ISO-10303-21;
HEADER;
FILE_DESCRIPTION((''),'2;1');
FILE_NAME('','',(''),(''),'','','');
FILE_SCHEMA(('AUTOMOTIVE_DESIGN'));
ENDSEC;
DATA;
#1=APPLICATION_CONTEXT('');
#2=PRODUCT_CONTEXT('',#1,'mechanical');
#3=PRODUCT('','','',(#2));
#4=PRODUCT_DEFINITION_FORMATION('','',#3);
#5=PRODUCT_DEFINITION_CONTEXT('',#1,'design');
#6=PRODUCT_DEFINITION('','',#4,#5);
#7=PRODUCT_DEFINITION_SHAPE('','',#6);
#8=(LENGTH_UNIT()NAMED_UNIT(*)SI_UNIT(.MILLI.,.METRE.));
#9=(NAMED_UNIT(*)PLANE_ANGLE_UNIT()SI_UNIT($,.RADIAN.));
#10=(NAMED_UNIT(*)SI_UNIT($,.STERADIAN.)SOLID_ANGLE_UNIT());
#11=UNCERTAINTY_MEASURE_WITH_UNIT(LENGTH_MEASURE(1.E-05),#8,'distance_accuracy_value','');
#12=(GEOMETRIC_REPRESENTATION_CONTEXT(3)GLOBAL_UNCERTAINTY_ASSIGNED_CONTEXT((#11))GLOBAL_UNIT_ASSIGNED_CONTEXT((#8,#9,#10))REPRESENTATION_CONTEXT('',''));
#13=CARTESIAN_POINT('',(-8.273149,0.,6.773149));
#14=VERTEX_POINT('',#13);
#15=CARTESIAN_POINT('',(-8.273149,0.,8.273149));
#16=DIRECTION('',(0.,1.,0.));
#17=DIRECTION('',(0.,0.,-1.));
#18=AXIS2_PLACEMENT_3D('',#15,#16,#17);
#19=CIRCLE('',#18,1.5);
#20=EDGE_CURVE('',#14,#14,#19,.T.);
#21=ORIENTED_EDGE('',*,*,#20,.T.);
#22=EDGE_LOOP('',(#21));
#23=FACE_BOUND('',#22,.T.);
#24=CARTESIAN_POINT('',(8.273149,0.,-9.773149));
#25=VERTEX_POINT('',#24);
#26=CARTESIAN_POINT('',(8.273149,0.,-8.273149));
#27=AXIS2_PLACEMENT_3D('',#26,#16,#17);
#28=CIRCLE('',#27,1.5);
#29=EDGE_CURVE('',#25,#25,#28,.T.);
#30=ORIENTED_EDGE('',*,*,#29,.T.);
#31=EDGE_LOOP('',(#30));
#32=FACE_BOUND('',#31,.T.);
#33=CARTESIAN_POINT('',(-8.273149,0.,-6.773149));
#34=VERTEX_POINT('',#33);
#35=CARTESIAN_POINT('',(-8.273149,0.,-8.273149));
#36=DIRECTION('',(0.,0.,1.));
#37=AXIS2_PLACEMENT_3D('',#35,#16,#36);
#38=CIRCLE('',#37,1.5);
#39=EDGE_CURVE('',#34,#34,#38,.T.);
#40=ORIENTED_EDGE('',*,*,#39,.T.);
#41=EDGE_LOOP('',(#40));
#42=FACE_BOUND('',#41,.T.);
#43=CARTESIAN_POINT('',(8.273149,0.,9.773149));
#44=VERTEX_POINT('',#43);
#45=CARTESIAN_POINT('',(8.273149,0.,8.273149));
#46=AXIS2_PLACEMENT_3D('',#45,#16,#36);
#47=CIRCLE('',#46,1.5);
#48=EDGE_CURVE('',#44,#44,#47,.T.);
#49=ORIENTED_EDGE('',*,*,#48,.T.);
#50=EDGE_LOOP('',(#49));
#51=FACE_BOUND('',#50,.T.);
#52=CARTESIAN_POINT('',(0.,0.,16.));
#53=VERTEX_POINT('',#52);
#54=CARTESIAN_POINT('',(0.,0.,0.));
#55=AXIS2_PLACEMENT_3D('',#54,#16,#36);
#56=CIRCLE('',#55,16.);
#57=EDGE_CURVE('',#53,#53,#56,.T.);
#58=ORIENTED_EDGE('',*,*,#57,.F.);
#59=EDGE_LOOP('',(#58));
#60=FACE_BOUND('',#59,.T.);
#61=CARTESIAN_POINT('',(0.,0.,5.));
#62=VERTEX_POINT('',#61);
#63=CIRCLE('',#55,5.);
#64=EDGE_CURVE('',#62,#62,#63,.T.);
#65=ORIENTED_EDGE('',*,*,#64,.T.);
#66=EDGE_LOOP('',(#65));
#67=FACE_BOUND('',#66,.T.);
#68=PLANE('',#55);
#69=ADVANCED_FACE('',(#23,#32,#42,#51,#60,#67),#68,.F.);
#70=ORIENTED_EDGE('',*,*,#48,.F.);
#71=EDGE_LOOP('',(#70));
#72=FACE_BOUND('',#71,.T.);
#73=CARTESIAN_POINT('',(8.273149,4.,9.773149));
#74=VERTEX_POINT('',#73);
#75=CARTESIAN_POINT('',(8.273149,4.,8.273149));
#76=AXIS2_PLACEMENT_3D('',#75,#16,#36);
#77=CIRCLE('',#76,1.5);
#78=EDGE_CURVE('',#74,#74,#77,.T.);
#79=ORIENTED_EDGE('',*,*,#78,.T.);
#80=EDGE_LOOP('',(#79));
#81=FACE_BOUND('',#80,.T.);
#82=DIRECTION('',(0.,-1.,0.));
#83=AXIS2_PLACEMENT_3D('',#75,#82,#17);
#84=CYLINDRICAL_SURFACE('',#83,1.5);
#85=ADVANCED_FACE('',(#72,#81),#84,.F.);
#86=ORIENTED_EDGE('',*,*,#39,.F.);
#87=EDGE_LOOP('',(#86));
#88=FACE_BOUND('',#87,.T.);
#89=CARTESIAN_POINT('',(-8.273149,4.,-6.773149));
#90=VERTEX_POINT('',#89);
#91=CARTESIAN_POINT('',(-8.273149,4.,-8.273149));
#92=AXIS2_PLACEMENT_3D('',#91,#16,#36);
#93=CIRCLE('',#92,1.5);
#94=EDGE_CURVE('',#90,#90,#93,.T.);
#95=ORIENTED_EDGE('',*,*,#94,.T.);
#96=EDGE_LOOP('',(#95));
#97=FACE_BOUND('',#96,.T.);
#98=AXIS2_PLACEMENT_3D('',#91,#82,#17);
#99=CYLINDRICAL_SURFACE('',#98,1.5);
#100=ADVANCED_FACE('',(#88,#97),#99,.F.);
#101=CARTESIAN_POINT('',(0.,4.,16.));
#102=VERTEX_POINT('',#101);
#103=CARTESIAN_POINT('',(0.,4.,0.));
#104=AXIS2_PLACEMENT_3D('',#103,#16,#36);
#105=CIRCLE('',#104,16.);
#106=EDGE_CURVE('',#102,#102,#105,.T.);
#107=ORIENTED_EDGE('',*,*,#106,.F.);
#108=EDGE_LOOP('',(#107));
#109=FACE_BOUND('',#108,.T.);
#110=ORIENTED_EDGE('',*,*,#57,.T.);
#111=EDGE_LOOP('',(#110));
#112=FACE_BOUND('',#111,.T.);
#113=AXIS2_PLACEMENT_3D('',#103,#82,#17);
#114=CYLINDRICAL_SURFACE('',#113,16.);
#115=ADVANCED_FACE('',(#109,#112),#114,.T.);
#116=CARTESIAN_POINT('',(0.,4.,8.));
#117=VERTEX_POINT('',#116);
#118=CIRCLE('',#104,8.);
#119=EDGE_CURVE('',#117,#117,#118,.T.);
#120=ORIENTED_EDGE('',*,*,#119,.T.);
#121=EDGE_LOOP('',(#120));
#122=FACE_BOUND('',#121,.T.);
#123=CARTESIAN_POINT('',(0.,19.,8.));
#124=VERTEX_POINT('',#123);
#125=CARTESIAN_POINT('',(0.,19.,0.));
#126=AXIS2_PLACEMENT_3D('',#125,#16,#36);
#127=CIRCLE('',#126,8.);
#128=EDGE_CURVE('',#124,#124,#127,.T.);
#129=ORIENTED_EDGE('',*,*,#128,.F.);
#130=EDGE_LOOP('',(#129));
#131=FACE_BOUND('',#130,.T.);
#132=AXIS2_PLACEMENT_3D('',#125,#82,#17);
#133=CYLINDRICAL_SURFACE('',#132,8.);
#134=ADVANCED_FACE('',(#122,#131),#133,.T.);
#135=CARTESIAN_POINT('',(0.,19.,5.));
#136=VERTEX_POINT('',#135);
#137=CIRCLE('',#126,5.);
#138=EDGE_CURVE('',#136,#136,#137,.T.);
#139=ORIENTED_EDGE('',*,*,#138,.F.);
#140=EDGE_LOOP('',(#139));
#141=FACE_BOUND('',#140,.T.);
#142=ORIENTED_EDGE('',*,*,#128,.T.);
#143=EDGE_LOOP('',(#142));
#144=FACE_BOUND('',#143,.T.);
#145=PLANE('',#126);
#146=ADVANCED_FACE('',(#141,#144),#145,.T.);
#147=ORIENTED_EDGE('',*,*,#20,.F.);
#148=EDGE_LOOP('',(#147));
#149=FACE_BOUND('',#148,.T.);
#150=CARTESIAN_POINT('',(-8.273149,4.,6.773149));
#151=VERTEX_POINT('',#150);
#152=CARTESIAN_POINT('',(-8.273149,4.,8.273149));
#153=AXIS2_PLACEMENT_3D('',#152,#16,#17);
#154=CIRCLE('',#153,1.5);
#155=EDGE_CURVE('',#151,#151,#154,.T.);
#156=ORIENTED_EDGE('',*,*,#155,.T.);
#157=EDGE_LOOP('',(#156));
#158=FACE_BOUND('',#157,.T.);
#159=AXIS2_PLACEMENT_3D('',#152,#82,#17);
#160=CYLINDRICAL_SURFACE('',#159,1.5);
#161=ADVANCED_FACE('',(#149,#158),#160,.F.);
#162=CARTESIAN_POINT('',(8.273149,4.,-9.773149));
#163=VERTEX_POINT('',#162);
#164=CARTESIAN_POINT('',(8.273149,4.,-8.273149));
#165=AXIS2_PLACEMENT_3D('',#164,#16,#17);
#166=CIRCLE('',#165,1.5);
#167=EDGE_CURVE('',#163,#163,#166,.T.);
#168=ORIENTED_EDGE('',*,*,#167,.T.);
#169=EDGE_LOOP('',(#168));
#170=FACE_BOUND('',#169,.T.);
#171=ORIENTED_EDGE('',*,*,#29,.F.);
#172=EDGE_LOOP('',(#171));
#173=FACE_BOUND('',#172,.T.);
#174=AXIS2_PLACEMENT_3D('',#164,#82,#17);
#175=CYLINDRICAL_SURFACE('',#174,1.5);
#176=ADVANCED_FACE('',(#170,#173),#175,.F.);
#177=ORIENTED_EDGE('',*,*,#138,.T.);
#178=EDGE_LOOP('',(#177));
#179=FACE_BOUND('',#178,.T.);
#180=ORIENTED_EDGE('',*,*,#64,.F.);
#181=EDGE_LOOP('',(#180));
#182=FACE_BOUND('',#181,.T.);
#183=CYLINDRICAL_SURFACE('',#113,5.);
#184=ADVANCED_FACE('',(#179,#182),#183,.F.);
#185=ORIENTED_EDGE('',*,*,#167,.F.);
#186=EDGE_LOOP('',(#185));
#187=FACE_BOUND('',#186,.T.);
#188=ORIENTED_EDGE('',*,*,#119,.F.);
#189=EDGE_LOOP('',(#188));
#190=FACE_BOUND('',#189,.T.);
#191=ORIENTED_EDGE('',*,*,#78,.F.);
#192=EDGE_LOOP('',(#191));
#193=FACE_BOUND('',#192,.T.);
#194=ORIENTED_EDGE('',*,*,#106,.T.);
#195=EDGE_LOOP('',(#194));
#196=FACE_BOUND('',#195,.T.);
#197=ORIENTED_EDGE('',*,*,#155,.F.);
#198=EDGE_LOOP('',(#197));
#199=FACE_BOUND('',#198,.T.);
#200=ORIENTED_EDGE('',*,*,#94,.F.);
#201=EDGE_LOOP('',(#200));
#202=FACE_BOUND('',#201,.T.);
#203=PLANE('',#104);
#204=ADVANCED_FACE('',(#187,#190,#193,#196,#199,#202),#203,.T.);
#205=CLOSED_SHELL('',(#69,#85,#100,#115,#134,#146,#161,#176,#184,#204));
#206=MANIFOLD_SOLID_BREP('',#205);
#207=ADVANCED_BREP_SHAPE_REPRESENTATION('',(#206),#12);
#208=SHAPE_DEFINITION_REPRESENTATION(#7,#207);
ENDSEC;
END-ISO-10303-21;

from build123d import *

# Parameters (mm, degrees)
SKETCH1_R           = 16
SKETCH1_R_2         = 1.5
SKETCH1_R_3         = 5
BOSS_EXTRUDE1_DEPTH = 4
SKETCH2_R           = 8
SKETCH2_R_2         = 5
BOSS_EXTRUDE2_DEPTH = 15


with BuildPart() as part:
    # Sketch1 → Boss-Extrude1 (new body)
    with BuildSketch(Plane(origin=(0, 0, 0), x_dir=(1, 0, 0), z_dir=(0, 1, 0))):
        Circle(SKETCH1_R)
        with Locations((8.27314934, -8.27314934)):
            Circle(SKETCH1_R_2, mode=Mode.SUBTRACT)
        Circle(SKETCH1_R_3, mode=Mode.SUBTRACT)
        with Locations((-8.27314934, -8.27314934)):
            Circle(SKETCH1_R_2, mode=Mode.SUBTRACT)
        with Locations((8.27314934, 8.27314934)):
            Circle(SKETCH1_R_2, mode=Mode.SUBTRACT)
        with Locations((-8.27314934, 8.27314934)):
            Circle(SKETCH1_R_2, mode=Mode.SUBTRACT)
    extrude(amount=BOSS_EXTRUDE1_DEPTH)

    # Sketch2 → Boss-Extrude2 (add)
    with BuildSketch(Plane(origin=(0, 4, 0), x_dir=(1, 0, 0), z_dir=(0, 1, 0))):
        Circle(SKETCH2_R)
        Circle(SKETCH2_R_2, mode=Mode.SUBTRACT)
    extrude(amount=BOSS_EXTRUDE2_DEPTH)


solid = part.part
